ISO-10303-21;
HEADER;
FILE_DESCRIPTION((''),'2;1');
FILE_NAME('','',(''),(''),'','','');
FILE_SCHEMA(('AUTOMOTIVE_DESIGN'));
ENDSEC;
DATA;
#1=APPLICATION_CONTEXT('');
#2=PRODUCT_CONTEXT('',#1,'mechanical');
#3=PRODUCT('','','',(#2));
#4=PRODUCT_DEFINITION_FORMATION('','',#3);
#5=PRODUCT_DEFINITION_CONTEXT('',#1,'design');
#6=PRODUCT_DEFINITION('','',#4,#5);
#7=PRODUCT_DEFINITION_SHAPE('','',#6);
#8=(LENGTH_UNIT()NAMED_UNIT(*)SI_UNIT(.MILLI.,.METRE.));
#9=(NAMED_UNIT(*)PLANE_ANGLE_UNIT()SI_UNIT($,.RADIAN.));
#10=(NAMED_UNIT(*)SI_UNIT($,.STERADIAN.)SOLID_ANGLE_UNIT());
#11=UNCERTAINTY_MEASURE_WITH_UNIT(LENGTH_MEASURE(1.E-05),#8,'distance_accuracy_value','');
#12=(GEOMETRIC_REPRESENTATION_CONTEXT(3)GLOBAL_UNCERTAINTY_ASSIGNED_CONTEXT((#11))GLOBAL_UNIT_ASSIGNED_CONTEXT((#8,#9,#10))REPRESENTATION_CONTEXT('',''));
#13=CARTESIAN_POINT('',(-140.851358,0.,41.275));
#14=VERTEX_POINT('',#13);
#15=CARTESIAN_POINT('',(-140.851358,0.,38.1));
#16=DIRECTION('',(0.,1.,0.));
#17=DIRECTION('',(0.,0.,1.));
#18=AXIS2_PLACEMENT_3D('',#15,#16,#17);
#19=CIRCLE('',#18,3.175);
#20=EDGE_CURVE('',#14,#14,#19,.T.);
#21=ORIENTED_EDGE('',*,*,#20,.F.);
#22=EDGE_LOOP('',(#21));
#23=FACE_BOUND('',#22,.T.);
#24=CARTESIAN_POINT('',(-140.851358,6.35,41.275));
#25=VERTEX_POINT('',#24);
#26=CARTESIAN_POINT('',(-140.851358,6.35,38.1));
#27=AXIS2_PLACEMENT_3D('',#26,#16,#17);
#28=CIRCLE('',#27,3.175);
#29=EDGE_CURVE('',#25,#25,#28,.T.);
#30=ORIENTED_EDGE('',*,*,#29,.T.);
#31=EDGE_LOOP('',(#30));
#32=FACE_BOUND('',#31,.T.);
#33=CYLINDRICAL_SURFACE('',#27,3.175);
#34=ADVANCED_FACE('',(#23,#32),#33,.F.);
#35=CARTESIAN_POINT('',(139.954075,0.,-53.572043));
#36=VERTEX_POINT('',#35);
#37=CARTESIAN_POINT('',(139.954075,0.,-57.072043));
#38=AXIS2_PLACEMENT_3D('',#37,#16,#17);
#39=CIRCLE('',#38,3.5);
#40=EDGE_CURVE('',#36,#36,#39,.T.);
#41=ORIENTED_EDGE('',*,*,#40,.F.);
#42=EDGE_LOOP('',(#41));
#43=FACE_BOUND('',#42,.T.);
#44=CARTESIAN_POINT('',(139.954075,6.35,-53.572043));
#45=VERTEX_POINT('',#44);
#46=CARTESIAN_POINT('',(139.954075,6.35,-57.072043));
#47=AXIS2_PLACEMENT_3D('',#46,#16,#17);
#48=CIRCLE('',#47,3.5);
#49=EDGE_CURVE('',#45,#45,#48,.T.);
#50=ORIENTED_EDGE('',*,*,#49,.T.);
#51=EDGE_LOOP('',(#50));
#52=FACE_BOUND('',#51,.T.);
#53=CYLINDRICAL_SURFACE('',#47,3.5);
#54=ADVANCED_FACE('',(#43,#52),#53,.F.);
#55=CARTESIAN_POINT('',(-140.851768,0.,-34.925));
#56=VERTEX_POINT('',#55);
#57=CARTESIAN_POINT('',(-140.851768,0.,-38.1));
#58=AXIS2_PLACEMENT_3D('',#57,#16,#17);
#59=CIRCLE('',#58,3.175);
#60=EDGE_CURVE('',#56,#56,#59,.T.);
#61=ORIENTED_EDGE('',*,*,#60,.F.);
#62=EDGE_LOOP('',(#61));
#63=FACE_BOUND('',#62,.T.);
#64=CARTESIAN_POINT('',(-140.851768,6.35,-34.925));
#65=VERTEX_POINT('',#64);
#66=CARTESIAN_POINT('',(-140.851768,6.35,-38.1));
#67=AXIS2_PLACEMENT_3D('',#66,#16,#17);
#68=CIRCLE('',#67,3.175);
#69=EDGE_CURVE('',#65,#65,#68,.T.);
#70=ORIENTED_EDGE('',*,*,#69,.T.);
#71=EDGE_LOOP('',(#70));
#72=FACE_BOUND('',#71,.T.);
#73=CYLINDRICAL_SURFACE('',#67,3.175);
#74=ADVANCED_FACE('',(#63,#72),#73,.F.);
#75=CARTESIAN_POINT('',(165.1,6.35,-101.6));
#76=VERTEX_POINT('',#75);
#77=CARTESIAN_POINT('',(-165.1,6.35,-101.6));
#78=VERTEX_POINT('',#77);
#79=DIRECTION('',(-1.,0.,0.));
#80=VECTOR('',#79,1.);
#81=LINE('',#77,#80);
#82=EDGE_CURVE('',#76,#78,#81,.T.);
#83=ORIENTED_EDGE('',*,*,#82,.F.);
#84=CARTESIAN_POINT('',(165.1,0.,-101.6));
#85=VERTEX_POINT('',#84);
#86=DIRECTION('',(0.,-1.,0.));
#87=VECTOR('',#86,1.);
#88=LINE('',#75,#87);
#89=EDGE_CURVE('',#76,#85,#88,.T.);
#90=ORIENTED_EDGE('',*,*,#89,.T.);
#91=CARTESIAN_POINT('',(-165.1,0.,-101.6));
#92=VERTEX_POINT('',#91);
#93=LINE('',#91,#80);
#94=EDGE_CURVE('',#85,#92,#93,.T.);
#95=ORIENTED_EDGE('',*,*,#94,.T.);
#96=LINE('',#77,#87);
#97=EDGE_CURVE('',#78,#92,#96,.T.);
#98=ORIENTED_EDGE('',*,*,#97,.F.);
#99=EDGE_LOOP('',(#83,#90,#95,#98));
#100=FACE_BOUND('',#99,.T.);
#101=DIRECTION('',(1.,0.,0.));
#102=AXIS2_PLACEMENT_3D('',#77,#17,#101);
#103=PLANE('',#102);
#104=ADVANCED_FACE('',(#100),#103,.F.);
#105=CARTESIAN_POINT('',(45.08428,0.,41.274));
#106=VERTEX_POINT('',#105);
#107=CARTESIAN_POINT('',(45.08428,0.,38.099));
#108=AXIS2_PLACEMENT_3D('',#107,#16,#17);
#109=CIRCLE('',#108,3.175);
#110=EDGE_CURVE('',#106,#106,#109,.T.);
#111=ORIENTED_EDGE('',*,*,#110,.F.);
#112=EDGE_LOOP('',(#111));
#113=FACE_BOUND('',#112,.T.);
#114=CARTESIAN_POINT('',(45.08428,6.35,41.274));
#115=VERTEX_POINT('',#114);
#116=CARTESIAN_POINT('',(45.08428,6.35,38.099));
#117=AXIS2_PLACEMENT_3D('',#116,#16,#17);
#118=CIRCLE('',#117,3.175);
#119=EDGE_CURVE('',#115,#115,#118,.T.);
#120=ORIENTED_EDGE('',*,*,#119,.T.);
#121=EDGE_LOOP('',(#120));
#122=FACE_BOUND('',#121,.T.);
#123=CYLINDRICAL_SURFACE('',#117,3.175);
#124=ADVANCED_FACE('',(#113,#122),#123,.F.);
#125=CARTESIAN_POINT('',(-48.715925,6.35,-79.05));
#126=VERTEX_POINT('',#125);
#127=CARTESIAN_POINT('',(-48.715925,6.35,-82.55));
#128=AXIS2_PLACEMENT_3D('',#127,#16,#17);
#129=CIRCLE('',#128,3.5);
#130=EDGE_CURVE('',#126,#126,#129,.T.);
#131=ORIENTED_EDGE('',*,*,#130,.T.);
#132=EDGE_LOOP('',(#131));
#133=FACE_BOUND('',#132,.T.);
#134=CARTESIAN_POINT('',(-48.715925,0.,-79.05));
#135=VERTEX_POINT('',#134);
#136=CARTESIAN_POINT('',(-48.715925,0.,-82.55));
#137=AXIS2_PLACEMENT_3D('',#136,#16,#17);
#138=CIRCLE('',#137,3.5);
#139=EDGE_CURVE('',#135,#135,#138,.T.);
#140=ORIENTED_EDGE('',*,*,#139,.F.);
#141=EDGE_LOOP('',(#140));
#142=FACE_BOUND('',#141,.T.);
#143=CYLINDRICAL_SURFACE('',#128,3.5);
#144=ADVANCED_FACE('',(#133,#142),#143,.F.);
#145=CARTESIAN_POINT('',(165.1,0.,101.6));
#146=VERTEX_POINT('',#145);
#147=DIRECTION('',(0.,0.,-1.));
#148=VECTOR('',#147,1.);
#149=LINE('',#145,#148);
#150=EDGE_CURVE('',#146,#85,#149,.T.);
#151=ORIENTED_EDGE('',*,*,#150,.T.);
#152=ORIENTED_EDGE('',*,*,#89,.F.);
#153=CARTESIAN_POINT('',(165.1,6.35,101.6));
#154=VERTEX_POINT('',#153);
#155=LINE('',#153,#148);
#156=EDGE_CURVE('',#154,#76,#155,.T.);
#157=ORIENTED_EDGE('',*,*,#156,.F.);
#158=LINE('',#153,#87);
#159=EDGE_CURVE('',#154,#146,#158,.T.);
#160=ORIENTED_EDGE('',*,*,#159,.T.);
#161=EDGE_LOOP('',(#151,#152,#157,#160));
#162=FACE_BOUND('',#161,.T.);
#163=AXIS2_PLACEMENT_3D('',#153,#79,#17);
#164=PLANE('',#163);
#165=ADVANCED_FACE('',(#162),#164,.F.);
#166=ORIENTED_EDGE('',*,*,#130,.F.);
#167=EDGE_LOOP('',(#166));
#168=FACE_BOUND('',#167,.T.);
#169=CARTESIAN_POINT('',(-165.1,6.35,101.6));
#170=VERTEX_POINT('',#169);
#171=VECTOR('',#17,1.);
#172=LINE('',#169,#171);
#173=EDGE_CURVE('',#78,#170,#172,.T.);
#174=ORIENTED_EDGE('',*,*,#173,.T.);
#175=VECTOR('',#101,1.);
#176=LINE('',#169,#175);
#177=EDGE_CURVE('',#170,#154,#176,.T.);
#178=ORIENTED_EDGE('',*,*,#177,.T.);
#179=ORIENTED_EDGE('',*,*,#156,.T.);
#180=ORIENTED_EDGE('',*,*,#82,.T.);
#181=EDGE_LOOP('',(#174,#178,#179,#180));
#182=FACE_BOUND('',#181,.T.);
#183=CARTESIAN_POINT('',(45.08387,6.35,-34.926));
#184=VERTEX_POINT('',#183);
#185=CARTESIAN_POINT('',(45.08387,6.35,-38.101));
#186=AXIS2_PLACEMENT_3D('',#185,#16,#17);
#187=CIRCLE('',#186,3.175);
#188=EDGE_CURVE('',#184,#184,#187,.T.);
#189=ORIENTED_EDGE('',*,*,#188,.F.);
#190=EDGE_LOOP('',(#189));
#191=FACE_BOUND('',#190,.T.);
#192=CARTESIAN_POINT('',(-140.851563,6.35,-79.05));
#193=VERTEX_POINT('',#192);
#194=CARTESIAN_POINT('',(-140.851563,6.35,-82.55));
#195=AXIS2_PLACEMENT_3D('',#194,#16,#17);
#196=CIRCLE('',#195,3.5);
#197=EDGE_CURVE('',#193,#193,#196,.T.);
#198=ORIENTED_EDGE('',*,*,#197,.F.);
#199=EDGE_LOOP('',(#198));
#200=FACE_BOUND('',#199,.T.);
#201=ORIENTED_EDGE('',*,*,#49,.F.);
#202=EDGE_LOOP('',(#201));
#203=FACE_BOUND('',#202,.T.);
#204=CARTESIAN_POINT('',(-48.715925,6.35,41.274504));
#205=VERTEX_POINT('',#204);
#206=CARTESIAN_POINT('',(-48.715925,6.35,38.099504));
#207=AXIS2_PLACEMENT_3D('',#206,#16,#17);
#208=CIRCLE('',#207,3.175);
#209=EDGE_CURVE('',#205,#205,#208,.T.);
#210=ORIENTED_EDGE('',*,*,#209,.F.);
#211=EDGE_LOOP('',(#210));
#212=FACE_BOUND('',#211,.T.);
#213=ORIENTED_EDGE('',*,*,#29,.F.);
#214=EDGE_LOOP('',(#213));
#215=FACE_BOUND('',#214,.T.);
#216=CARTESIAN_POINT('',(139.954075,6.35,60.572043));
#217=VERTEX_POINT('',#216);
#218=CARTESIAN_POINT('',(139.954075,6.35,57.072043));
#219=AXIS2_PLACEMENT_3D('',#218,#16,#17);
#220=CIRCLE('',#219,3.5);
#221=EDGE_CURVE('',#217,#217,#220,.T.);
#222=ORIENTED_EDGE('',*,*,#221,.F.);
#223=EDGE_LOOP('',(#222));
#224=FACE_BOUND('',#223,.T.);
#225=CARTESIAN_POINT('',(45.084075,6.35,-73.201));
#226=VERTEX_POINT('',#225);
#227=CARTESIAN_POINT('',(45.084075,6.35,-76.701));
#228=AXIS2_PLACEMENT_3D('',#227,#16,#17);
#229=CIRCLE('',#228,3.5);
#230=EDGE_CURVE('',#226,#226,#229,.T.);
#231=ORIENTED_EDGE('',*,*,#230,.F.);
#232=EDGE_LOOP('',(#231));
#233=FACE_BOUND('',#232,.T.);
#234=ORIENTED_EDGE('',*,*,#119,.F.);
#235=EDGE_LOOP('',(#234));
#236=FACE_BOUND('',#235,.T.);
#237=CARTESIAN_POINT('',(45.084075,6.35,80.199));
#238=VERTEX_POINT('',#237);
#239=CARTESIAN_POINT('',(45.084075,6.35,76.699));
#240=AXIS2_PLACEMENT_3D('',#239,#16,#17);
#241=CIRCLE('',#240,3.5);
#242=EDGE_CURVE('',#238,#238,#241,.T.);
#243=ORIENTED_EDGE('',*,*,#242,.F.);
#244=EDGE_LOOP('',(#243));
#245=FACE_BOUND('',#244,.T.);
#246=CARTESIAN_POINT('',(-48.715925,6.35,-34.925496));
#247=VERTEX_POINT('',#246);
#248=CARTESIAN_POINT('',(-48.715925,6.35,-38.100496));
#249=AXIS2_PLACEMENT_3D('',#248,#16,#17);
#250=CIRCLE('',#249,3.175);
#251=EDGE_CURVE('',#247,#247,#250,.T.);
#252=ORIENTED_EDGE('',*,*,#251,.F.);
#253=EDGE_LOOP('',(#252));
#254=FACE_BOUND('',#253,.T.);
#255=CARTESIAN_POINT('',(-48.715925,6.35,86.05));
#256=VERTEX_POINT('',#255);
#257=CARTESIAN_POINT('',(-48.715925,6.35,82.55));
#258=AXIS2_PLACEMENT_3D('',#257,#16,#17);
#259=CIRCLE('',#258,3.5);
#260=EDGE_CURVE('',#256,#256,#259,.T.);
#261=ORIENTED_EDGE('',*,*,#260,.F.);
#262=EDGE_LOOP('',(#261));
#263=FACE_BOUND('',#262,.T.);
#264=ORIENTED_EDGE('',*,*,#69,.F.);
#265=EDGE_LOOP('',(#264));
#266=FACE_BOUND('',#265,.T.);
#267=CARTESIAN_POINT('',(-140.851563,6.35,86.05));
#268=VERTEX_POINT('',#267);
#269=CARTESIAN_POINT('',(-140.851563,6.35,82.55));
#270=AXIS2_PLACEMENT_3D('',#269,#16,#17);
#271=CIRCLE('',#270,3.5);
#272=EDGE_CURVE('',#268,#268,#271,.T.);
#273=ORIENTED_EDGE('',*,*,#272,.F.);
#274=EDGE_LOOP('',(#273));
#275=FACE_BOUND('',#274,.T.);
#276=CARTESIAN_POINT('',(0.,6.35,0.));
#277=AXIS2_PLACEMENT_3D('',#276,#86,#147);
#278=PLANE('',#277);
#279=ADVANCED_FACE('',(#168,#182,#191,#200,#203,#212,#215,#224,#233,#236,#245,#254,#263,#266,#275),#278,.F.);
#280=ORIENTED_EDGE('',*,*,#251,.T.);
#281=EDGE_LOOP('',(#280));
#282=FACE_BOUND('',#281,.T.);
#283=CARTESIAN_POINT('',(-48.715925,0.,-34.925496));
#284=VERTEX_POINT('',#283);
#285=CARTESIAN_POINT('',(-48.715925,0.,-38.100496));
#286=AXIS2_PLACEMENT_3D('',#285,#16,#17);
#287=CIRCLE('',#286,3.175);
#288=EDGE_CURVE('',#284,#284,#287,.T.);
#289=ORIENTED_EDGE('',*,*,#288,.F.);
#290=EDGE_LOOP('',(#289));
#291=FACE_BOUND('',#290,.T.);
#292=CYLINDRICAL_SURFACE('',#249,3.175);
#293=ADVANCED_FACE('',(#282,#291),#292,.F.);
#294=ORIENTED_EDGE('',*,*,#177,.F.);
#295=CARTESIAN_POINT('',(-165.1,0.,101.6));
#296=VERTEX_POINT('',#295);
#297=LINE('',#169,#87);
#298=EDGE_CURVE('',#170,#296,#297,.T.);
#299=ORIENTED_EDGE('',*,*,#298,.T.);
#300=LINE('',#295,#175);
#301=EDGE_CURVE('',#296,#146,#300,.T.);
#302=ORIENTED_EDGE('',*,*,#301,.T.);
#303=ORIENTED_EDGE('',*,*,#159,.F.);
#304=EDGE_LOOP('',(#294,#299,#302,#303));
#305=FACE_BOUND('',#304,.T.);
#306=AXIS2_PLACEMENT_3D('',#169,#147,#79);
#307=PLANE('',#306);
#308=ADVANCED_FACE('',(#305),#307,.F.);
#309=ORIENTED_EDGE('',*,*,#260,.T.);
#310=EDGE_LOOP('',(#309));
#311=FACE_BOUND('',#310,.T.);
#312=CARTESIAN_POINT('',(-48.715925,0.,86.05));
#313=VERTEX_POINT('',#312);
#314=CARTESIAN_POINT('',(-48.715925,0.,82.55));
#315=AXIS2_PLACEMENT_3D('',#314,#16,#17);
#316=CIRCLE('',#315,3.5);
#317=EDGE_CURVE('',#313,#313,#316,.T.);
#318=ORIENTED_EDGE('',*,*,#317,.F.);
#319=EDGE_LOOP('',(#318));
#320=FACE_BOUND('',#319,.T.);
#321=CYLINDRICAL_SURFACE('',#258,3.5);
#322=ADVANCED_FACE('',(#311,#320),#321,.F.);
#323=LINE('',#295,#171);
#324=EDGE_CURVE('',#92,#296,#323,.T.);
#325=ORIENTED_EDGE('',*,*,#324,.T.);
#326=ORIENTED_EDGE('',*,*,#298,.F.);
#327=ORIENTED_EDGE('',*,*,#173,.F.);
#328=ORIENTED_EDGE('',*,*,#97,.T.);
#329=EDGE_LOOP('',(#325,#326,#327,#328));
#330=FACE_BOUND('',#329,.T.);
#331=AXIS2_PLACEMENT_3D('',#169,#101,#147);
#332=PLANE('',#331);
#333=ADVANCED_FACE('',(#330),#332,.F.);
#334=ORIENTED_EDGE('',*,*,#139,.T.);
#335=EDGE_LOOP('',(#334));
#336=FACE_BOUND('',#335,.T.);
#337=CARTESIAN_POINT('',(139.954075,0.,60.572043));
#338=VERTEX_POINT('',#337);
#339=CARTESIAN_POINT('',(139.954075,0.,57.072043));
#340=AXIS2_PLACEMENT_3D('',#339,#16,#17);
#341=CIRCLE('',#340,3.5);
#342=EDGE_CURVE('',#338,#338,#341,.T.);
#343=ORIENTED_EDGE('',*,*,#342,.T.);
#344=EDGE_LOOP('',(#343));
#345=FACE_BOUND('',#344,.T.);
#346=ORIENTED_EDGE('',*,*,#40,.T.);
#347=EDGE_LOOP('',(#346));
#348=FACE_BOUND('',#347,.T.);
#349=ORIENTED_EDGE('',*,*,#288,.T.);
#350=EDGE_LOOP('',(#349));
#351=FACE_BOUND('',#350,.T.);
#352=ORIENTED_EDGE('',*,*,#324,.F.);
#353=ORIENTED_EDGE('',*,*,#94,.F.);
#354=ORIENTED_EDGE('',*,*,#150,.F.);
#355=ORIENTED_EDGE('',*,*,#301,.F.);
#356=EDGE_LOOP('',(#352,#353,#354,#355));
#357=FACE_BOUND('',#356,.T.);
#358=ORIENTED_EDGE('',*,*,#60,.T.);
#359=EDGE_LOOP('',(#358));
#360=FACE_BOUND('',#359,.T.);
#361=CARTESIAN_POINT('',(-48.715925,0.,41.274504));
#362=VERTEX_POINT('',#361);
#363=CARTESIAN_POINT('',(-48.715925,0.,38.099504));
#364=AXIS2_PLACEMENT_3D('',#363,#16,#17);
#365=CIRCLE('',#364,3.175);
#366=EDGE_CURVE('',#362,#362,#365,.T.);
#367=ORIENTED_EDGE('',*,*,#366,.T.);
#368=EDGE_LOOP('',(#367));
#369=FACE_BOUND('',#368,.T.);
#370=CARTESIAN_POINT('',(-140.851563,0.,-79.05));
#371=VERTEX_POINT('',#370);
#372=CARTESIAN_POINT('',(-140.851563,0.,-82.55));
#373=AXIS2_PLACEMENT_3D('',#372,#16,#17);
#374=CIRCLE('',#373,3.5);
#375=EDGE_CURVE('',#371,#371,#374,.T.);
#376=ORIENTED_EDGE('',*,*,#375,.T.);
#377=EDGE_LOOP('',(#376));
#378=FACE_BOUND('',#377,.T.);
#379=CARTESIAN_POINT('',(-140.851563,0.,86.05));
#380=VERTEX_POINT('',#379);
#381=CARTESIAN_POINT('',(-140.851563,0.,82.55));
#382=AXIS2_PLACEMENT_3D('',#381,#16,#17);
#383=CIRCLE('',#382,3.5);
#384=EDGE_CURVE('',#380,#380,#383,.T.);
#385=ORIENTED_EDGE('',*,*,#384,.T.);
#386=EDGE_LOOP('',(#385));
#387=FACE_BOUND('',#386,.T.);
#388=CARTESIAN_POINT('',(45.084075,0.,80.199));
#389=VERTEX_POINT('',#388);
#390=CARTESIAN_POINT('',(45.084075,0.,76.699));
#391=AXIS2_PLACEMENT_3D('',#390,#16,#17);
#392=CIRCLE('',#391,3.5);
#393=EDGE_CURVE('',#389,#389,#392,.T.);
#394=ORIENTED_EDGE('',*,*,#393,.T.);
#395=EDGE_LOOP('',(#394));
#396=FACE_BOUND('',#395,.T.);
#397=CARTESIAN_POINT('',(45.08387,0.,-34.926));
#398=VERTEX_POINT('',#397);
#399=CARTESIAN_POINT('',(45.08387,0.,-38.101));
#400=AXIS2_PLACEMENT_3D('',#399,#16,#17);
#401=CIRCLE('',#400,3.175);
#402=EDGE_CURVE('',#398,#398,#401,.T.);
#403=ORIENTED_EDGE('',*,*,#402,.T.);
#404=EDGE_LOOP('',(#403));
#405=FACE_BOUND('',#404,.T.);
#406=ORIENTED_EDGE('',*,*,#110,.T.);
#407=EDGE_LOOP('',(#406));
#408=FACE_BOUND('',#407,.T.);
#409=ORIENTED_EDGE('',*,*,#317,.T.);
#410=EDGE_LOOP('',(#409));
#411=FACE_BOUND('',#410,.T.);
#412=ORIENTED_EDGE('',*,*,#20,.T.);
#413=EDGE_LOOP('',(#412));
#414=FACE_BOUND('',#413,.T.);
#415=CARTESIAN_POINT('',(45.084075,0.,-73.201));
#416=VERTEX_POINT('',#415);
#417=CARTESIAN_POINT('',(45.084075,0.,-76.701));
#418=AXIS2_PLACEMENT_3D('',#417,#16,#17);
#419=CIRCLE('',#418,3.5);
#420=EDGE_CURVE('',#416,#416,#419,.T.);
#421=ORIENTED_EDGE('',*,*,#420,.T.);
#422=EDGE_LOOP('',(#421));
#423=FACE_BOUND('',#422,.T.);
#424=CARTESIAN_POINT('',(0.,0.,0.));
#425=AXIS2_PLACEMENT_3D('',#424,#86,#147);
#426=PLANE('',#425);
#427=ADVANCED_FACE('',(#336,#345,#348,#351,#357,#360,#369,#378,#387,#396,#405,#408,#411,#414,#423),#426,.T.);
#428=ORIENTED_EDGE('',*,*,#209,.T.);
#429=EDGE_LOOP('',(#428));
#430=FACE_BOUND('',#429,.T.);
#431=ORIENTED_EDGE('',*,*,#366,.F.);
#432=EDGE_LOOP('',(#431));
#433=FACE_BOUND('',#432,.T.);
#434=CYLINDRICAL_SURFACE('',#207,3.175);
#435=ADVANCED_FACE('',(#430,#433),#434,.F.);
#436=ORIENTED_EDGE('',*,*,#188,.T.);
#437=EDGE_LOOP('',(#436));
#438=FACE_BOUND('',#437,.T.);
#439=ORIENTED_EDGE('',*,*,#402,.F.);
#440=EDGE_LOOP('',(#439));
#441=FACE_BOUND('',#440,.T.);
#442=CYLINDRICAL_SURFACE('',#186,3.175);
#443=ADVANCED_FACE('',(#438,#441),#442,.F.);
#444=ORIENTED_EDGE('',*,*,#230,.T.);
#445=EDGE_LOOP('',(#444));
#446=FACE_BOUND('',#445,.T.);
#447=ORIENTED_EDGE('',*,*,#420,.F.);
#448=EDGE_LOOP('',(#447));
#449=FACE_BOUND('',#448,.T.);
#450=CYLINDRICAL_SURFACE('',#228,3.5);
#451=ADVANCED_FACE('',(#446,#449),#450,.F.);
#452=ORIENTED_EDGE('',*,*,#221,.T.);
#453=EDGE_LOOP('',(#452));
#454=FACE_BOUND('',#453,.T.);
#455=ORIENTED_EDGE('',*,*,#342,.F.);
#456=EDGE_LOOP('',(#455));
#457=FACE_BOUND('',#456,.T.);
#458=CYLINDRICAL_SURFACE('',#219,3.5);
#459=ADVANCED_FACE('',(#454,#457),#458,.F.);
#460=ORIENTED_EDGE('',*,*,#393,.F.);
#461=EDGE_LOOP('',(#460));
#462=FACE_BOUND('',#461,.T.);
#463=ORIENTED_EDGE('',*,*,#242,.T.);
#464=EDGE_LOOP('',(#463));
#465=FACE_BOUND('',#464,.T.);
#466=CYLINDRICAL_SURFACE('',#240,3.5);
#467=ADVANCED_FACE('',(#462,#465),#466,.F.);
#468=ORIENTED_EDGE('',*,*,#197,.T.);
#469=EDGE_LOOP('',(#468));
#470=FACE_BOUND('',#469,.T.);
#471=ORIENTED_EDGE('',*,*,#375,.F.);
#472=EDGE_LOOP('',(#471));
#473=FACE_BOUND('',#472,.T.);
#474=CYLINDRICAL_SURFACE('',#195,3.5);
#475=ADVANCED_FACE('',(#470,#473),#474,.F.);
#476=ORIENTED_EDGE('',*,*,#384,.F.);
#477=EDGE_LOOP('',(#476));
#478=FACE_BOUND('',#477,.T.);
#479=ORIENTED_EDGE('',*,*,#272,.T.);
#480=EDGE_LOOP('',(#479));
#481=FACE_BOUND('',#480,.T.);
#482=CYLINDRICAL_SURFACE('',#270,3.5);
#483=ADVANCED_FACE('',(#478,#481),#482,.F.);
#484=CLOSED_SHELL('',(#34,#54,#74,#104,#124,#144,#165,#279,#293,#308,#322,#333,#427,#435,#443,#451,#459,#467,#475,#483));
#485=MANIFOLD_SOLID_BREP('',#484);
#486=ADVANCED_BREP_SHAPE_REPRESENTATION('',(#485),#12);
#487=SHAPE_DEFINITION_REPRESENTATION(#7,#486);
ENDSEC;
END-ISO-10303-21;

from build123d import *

# Parameters (mm, degrees)
SKETCH1_W                      = 330.2
SKETCH1_H                      = 203.2
BOSS_EXTRUDE1_DEPTH            = 6.35
F_1_4_0_25_PRESS_DOWEL_HOLE1_D = 6.35
M8X1_0_TAPPED_HOLE1_D          = 7


with BuildPart() as part:
    # Sketch1 → Boss-Extrude1 (new body)
    with BuildSketch(Plane(origin=(0, 0, 0), x_dir=(1, 0, 0), z_dir=(0, 1, 0))):
        Rectangle(SKETCH1_W, SKETCH1_H)
    extrude(amount=BOSS_EXTRUDE1_DEPTH)

    # 1/4 (0.25) Press Dowel Hole1 (through all)
    with Locations(Plane(origin=(0, 6.35, 0), x_dir=(1, 0, 0), z_dir=(0, 1, 0))):
        with Locations((-140.85176751, 38.099999999), (-140.851357678, -38.099999999), (-48.715925188, -38.099504462), (-48.715925188, 38.100495539), (45.083869896, 38.101000028), (45.084279728, -38.098999971)):
            Hole(F_1_4_0_25_PRESS_DOWEL_HOLE1_D / 2)

    # M8x1.0 Tapped Hole1 (through all)
    with Locations(Plane(origin=(0, 6.35, 0), x_dir=(1, 0, 0), z_dir=(0, 1, 0))):
        with Locations((-140.851562594, 82.55), (-48.715925188, 82.55), (45.084074812, 76.701000029), (45.084074812, -76.698999971), (-48.715925188, -82.55), (-140.851562594, -82.55), (139.954074812, 57.072042721), (139.954074812, -57.072042721)):
            Hole(M8X1_0_TAPPED_HOLE1_D / 2)


solid = part.part
